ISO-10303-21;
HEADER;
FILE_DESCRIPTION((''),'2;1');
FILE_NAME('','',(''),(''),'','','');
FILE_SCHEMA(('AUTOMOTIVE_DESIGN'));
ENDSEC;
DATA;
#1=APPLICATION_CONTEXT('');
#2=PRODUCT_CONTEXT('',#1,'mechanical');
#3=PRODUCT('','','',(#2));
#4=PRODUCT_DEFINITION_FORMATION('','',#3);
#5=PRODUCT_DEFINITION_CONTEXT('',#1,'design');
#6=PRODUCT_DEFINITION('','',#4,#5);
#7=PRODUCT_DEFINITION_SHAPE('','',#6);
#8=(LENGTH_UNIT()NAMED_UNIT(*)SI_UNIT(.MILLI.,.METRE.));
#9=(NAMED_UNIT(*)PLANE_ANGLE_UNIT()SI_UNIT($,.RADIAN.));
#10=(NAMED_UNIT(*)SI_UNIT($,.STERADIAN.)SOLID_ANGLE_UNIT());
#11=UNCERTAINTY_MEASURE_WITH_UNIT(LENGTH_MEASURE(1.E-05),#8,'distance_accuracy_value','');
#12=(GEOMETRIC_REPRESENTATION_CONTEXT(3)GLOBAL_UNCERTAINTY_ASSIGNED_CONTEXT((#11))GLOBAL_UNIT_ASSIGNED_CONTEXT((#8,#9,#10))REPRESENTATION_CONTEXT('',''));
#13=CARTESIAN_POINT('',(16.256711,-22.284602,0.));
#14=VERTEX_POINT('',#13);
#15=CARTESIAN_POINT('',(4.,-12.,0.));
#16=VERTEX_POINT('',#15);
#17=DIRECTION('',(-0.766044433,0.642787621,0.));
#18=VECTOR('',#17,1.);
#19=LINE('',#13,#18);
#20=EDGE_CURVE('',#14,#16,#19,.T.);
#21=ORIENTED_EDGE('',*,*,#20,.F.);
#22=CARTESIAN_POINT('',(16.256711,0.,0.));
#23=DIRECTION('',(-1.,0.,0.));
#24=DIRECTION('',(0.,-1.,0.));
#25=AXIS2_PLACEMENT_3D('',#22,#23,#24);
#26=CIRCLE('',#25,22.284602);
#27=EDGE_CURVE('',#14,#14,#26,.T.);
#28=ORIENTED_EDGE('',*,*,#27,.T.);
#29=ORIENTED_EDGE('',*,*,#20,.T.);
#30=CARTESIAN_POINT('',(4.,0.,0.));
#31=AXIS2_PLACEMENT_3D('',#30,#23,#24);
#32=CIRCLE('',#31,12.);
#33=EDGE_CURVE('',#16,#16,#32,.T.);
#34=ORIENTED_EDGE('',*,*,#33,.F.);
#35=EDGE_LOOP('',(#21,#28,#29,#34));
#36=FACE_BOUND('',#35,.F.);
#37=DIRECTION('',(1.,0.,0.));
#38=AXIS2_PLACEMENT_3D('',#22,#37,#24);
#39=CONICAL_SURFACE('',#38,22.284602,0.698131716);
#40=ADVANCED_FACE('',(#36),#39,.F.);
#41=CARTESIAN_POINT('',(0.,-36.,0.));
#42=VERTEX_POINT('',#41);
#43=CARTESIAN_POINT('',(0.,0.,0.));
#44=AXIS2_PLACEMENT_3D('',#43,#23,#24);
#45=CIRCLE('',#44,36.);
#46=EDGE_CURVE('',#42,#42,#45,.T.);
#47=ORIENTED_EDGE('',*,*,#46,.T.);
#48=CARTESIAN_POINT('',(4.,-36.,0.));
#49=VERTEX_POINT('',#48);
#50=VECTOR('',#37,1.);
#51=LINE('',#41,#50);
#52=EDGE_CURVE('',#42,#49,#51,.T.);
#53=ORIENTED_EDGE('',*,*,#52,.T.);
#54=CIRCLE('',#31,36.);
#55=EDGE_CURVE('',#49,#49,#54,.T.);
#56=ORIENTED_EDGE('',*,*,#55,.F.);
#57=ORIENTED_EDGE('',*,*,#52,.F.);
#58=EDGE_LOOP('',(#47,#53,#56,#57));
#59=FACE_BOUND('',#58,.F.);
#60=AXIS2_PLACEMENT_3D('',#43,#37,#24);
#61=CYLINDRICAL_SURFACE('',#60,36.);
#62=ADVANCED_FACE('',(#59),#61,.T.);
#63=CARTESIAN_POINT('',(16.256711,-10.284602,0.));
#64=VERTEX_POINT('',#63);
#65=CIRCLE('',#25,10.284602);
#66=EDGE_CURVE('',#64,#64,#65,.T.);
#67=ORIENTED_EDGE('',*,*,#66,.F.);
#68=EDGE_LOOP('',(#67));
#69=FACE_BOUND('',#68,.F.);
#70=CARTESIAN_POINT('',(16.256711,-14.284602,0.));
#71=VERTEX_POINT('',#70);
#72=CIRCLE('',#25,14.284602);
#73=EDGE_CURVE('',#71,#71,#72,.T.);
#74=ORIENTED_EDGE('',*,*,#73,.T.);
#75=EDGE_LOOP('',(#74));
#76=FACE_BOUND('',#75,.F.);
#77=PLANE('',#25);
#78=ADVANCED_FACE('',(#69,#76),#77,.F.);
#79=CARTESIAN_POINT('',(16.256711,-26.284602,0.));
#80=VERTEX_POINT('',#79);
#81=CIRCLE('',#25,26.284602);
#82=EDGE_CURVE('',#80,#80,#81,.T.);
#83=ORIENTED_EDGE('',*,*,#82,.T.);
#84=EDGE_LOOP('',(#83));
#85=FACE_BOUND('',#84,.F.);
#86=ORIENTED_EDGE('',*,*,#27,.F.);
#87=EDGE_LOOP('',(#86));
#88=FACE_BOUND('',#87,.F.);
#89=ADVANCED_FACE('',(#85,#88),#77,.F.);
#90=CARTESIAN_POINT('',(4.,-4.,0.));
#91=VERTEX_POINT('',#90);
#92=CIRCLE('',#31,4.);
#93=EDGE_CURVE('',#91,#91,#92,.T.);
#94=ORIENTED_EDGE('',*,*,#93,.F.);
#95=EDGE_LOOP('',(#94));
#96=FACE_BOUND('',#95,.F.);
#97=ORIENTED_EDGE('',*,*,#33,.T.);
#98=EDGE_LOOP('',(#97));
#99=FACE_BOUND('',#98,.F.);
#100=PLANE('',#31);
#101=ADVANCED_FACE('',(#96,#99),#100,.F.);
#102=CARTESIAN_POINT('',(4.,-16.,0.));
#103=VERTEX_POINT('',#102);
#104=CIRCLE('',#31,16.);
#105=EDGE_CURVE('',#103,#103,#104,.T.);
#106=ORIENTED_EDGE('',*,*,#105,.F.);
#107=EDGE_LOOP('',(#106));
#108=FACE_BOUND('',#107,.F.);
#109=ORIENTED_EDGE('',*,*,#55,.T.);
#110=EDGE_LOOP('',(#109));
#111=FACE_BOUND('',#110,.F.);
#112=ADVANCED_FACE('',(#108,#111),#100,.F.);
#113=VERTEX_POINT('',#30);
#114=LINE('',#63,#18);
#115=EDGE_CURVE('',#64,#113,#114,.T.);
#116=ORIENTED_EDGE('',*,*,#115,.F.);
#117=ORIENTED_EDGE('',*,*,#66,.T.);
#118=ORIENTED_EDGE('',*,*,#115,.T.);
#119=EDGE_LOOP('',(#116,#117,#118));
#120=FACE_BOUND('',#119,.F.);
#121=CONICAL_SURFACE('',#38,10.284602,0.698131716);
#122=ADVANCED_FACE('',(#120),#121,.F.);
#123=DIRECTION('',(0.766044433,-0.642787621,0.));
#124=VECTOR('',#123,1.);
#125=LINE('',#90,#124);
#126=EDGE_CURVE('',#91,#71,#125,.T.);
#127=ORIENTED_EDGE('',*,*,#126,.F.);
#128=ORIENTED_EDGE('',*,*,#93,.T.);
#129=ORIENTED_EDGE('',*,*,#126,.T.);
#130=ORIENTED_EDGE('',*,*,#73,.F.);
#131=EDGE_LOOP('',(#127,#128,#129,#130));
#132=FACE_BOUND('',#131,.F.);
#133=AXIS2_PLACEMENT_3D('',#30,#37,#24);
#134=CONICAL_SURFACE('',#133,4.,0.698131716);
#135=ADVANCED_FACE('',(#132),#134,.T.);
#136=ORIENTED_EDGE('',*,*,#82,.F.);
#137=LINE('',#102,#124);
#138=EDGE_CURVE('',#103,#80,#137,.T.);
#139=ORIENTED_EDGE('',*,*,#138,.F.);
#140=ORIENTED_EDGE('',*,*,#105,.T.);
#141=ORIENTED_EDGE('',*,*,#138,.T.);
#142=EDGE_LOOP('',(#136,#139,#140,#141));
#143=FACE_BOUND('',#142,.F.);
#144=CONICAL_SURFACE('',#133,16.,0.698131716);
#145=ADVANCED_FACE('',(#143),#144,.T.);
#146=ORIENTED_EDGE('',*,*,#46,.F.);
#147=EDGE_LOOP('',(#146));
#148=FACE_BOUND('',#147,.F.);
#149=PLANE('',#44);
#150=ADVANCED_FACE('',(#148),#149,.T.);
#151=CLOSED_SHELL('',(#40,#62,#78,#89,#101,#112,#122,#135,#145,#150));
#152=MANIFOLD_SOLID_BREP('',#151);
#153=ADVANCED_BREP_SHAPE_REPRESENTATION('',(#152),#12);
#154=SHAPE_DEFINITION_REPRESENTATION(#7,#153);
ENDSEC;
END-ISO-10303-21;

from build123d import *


with BuildPart() as f1:
    # F0 (on Top) → F1 (revolve)
    with BuildSketch(Plane.XY):
        Polygon((4, 0), (0, 0), (0, -36), (4, -36), (4, -16), (16.256711, -26.284602), (16.256711, -22.284602), (4, -12), (4, -4), (16.256711, -14.284602), (16.256711, -10.284602), align=None)
    revolve(axis=Axis((2, 0, 0), (-1, 0, 0)))


solid = f1.part
